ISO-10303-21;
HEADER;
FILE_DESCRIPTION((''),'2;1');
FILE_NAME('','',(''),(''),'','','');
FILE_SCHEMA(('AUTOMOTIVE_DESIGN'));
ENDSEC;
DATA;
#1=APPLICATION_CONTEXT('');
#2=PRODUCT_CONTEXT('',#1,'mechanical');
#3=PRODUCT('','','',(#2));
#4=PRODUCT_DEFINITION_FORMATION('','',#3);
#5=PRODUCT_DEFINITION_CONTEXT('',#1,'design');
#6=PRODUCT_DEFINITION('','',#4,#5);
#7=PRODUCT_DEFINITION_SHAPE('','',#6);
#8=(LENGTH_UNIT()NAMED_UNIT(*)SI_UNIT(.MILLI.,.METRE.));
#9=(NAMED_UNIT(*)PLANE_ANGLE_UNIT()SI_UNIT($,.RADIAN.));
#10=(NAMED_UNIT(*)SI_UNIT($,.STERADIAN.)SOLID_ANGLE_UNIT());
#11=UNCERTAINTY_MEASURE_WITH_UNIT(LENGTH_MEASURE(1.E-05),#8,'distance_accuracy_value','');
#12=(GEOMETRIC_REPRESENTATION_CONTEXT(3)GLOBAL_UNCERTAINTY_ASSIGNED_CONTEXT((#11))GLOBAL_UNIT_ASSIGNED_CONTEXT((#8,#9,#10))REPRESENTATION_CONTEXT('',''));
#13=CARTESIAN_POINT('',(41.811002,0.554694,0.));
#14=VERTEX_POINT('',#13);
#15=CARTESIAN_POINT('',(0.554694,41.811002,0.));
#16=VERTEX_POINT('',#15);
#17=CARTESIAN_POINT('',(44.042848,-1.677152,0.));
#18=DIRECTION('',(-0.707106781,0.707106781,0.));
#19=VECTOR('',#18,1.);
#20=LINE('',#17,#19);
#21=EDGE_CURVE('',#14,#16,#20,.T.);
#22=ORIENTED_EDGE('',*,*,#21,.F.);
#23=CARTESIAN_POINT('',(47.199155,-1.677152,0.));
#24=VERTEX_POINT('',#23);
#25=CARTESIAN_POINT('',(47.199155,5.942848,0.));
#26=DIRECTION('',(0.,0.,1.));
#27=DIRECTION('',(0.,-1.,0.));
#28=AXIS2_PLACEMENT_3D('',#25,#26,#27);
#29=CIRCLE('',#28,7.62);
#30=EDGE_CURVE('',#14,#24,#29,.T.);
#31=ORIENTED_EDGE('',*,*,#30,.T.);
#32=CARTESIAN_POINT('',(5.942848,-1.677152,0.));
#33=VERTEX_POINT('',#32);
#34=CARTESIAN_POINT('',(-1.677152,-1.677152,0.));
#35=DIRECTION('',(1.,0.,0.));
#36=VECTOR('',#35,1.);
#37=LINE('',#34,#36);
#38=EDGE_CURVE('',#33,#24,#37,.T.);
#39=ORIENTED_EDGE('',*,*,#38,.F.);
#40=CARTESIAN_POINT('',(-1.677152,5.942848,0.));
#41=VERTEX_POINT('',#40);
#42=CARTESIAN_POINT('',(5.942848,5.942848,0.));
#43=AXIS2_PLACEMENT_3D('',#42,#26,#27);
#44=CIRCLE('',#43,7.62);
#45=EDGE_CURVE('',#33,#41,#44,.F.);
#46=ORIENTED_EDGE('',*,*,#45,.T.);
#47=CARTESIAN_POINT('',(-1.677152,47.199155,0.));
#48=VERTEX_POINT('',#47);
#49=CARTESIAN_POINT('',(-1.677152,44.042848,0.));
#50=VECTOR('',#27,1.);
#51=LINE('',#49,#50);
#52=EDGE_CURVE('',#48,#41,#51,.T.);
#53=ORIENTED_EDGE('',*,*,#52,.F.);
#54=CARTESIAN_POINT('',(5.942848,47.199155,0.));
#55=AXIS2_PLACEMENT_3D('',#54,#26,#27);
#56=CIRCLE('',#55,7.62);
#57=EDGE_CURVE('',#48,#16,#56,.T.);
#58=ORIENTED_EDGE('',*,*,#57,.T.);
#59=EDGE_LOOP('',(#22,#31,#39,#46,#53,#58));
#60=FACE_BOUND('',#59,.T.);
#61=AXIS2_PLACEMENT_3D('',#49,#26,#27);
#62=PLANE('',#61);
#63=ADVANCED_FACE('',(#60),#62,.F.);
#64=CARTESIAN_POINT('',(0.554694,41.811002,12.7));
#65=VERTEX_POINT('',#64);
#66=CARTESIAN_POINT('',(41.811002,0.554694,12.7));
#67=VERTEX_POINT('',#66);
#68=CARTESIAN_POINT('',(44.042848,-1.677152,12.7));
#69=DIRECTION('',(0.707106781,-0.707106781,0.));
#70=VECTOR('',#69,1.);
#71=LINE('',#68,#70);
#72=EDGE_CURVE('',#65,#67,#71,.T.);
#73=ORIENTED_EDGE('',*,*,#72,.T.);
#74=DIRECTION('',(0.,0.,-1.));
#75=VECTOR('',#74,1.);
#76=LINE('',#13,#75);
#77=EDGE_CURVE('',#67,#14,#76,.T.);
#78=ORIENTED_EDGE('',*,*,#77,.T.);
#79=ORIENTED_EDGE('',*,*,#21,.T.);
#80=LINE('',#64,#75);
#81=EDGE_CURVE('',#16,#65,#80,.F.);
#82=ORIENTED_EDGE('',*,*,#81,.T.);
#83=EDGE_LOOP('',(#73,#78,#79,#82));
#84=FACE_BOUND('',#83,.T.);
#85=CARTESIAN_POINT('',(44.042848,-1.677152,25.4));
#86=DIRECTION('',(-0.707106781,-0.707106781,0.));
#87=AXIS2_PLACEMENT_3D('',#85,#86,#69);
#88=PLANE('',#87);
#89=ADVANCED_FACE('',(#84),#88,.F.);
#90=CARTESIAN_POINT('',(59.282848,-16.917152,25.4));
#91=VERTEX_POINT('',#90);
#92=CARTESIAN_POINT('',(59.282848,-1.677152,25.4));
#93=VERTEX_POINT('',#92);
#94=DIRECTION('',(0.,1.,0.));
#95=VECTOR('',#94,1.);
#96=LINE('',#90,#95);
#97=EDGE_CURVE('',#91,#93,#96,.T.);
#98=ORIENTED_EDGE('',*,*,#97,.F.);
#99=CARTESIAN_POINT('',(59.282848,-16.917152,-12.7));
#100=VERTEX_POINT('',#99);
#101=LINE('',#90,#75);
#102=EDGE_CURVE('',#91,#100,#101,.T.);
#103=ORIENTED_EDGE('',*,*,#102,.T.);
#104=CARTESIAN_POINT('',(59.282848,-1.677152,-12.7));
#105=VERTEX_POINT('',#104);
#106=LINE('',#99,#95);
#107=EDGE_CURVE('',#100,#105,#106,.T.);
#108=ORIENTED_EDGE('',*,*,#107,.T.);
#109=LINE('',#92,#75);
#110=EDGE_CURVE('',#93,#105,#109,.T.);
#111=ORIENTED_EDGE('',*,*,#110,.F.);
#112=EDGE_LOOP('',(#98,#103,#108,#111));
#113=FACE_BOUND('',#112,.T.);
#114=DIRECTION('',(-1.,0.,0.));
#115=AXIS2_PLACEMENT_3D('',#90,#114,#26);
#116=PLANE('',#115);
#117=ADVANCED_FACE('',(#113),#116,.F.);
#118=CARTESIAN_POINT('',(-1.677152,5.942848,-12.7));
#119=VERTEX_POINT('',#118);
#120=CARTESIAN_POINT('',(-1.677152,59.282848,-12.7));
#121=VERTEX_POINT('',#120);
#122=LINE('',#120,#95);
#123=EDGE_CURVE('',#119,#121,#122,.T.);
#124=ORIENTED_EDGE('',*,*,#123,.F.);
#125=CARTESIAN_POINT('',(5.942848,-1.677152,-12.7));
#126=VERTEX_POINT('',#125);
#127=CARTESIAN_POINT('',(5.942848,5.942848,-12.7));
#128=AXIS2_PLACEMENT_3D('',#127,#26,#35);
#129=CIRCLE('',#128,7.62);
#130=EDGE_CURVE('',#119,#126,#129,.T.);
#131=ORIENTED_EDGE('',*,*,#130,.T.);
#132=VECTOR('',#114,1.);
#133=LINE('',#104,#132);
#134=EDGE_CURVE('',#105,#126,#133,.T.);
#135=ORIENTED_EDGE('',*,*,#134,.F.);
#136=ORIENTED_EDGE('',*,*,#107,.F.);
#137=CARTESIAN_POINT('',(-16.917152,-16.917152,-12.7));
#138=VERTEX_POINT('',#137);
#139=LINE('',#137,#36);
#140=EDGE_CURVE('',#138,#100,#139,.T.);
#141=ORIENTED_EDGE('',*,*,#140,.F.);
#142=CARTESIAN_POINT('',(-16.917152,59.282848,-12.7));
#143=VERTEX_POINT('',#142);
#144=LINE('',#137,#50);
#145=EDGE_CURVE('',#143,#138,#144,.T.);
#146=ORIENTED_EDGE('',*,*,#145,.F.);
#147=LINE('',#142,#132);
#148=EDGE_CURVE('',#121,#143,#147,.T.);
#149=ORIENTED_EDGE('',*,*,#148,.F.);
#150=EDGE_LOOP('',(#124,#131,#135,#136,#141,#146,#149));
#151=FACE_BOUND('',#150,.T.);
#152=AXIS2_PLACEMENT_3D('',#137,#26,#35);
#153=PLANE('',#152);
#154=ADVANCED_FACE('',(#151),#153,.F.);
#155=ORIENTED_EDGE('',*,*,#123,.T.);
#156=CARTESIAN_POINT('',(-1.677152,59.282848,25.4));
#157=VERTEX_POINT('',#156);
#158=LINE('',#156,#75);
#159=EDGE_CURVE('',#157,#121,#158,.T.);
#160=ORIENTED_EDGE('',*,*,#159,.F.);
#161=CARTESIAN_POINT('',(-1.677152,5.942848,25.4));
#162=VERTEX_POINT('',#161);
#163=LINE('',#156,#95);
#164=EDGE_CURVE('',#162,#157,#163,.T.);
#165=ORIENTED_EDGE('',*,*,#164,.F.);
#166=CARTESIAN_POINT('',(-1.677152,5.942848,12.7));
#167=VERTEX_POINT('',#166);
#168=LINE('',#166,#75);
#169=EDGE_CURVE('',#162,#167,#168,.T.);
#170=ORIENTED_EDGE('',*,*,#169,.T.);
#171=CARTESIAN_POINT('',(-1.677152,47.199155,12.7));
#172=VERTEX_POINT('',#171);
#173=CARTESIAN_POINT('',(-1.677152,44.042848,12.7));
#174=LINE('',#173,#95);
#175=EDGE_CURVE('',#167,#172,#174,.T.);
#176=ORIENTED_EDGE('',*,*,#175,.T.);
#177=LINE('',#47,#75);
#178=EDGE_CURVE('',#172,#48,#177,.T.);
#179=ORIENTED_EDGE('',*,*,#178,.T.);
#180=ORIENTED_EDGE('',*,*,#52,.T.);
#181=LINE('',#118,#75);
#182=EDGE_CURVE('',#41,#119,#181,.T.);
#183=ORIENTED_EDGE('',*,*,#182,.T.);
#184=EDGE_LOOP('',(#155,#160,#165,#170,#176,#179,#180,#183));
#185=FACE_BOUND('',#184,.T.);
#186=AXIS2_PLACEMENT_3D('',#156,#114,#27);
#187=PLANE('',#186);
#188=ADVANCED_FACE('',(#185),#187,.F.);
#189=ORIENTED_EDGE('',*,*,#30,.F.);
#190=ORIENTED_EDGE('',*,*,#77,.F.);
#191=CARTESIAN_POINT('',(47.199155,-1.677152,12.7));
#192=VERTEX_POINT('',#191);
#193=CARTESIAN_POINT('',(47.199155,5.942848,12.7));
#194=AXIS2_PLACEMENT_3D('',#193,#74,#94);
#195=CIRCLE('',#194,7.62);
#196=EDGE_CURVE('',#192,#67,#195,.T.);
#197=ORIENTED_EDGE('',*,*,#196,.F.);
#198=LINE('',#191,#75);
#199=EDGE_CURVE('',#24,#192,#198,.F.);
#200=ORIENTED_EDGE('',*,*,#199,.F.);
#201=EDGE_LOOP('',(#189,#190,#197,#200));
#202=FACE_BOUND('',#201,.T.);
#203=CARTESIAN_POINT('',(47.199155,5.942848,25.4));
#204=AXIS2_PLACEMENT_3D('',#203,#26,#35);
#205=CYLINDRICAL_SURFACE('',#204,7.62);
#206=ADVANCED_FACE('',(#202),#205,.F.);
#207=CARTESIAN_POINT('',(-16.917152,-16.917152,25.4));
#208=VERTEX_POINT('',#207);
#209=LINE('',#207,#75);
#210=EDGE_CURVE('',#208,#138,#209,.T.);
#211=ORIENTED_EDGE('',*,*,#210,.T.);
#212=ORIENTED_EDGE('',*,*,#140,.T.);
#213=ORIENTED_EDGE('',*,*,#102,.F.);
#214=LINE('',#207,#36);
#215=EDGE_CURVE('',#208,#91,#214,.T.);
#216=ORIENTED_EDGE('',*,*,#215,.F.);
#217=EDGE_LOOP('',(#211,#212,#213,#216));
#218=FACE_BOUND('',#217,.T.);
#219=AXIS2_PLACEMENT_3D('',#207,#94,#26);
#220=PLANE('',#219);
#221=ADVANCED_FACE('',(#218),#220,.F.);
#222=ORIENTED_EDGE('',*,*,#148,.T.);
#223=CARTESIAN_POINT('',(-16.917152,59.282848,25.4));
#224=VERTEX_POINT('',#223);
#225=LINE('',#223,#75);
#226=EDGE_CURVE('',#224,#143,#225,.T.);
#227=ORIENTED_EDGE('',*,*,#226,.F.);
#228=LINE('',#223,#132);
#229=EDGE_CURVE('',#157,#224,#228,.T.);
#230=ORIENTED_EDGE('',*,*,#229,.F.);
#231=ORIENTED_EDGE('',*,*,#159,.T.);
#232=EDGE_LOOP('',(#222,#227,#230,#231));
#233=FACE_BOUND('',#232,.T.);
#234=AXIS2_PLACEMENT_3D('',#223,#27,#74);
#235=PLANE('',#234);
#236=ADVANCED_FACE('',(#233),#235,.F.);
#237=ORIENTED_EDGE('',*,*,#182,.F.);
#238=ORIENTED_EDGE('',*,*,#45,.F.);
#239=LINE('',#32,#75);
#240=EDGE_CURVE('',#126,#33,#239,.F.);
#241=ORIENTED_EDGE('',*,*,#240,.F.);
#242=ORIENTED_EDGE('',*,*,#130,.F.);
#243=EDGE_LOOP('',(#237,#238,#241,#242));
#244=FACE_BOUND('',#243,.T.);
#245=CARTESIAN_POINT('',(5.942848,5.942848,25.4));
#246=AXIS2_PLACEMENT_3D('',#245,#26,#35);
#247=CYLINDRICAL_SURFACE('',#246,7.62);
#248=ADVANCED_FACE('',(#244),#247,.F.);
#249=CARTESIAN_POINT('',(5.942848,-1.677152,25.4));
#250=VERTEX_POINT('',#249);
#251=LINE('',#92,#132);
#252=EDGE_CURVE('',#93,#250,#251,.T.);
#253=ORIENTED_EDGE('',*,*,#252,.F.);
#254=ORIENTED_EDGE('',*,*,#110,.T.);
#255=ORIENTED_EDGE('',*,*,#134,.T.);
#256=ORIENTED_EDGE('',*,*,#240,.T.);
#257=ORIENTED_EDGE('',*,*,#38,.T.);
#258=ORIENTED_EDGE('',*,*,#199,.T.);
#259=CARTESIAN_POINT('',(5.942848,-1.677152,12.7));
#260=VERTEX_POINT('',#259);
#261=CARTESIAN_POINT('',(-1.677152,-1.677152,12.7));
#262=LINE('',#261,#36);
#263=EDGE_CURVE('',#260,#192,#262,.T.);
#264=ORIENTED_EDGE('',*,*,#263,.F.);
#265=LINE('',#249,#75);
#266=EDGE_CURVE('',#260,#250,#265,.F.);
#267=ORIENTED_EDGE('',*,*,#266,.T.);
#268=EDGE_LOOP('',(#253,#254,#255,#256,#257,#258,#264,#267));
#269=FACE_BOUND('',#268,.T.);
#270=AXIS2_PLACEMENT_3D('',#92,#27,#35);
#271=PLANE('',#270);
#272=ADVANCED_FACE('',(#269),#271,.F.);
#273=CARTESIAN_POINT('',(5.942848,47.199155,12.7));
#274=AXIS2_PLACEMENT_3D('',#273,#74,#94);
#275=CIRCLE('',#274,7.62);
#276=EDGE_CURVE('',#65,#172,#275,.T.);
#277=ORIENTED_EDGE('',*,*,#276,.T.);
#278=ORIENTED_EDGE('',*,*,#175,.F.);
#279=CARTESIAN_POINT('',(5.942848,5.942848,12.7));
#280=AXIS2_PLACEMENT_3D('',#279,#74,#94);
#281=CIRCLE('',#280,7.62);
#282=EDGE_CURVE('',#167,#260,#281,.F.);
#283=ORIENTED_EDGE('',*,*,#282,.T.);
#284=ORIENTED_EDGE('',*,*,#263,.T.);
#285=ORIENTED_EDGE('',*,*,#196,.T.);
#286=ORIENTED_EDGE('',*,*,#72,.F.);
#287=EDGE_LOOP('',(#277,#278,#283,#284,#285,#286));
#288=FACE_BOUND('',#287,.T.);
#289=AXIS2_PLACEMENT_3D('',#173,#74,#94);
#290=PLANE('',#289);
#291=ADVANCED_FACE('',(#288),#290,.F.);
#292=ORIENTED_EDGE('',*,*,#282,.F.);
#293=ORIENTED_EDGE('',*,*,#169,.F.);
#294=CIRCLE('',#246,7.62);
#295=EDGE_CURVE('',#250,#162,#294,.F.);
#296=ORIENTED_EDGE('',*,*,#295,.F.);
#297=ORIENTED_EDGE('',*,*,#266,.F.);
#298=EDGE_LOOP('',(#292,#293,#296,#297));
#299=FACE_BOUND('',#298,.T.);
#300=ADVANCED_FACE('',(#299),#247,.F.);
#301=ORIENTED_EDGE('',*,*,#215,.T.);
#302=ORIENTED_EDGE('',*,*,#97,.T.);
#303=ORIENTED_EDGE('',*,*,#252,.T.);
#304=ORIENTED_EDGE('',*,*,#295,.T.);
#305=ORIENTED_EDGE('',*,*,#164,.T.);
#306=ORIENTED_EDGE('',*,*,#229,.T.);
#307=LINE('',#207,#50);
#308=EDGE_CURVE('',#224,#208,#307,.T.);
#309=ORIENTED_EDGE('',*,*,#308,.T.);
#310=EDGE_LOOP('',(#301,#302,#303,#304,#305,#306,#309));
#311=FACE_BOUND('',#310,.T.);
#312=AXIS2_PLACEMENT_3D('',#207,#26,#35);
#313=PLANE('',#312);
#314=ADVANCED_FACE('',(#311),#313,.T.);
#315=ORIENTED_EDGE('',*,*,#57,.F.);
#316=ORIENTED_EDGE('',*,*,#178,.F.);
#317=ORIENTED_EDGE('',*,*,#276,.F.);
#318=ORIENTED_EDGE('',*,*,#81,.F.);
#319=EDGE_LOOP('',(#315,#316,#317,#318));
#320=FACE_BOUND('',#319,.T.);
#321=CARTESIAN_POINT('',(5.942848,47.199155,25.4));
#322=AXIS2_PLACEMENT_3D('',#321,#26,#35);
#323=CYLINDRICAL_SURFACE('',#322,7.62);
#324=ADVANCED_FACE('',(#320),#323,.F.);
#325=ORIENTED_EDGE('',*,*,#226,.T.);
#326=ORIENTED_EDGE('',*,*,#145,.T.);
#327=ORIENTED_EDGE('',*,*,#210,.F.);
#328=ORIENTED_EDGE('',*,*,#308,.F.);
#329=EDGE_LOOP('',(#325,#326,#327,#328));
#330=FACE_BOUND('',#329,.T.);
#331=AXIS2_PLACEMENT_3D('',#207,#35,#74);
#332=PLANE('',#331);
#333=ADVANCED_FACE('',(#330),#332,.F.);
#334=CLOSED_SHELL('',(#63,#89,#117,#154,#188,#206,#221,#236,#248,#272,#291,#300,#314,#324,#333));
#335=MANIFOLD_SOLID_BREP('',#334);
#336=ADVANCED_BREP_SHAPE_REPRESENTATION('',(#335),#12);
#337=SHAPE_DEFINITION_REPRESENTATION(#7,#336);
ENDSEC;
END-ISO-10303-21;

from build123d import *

# Parameters (mm, degrees)
BOSS_EXTRUDE1_DEPTH = 12.7
SKETCH3_W           = 4.233333333
SKETCH3_H           = 15.24
CUT_EXTRUDE1_DEPTH  = 20.32
FILLET1_R           = 2.54
FILLET2_R           = 2.54
SCALE1_SCALE        = 3


with BuildPart() as part:
    # Sketch1 → Boss-Extrude1 (new body)
    with BuildSketch(Plane.XY):
        Polygon((0, 0), (0, 25.4), (5.08, 25.4), (5.08, 20.32), (20.32, 5.08), (25.4, 5.08), (25.4, 0), align=None)
    extrude(amount=BOSS_EXTRUDE1_DEPTH)

    # Sketch3 → Cut-Extrude1 (cut)
    with BuildSketch(Plane(origin=(25.4, 0, 0), x_dir=(0, 0, -1), z_dir=(1, 0, 0))):
        with Locations((-10.583333334, 12.7)):
            Rectangle(SKETCH3_W, SKETCH3_H)
        with Locations((-2.116666667, 12.7)):
            Rectangle(SKETCH3_W, SKETCH3_H)
    extrude(amount=-CUT_EXTRUDE1_DEPTH, mode=Mode.SUBTRACT)

    # Fillet1
    fillet1_edges = [part.edges().sort_by_distance(p)[0] for p in [
        (5.08, 5.08, 10.583333333),
        (5.08, 5.08, 2.116666667),
    ]]
    fillet(fillet1_edges, radius=FILLET1_R)

    # Fillet2
    fillet2_edges = [part.edges().sort_by_distance(p)[0] for p in [
        (5.08, 20.32, 6.35),
        (20.32, 5.08, 6.35),
    ]]
    fillet(fillet2_edges, radius=FILLET2_R)


with BuildPart() as part_1:
    # Scale1: scaled about (8.45857593, 8.45857593, 6.35)
    add(part.part.scale(SCALE1_SCALE).moved(Location((-16.91715186, -16.91715186, -12.7))))


solid = part_1.part
